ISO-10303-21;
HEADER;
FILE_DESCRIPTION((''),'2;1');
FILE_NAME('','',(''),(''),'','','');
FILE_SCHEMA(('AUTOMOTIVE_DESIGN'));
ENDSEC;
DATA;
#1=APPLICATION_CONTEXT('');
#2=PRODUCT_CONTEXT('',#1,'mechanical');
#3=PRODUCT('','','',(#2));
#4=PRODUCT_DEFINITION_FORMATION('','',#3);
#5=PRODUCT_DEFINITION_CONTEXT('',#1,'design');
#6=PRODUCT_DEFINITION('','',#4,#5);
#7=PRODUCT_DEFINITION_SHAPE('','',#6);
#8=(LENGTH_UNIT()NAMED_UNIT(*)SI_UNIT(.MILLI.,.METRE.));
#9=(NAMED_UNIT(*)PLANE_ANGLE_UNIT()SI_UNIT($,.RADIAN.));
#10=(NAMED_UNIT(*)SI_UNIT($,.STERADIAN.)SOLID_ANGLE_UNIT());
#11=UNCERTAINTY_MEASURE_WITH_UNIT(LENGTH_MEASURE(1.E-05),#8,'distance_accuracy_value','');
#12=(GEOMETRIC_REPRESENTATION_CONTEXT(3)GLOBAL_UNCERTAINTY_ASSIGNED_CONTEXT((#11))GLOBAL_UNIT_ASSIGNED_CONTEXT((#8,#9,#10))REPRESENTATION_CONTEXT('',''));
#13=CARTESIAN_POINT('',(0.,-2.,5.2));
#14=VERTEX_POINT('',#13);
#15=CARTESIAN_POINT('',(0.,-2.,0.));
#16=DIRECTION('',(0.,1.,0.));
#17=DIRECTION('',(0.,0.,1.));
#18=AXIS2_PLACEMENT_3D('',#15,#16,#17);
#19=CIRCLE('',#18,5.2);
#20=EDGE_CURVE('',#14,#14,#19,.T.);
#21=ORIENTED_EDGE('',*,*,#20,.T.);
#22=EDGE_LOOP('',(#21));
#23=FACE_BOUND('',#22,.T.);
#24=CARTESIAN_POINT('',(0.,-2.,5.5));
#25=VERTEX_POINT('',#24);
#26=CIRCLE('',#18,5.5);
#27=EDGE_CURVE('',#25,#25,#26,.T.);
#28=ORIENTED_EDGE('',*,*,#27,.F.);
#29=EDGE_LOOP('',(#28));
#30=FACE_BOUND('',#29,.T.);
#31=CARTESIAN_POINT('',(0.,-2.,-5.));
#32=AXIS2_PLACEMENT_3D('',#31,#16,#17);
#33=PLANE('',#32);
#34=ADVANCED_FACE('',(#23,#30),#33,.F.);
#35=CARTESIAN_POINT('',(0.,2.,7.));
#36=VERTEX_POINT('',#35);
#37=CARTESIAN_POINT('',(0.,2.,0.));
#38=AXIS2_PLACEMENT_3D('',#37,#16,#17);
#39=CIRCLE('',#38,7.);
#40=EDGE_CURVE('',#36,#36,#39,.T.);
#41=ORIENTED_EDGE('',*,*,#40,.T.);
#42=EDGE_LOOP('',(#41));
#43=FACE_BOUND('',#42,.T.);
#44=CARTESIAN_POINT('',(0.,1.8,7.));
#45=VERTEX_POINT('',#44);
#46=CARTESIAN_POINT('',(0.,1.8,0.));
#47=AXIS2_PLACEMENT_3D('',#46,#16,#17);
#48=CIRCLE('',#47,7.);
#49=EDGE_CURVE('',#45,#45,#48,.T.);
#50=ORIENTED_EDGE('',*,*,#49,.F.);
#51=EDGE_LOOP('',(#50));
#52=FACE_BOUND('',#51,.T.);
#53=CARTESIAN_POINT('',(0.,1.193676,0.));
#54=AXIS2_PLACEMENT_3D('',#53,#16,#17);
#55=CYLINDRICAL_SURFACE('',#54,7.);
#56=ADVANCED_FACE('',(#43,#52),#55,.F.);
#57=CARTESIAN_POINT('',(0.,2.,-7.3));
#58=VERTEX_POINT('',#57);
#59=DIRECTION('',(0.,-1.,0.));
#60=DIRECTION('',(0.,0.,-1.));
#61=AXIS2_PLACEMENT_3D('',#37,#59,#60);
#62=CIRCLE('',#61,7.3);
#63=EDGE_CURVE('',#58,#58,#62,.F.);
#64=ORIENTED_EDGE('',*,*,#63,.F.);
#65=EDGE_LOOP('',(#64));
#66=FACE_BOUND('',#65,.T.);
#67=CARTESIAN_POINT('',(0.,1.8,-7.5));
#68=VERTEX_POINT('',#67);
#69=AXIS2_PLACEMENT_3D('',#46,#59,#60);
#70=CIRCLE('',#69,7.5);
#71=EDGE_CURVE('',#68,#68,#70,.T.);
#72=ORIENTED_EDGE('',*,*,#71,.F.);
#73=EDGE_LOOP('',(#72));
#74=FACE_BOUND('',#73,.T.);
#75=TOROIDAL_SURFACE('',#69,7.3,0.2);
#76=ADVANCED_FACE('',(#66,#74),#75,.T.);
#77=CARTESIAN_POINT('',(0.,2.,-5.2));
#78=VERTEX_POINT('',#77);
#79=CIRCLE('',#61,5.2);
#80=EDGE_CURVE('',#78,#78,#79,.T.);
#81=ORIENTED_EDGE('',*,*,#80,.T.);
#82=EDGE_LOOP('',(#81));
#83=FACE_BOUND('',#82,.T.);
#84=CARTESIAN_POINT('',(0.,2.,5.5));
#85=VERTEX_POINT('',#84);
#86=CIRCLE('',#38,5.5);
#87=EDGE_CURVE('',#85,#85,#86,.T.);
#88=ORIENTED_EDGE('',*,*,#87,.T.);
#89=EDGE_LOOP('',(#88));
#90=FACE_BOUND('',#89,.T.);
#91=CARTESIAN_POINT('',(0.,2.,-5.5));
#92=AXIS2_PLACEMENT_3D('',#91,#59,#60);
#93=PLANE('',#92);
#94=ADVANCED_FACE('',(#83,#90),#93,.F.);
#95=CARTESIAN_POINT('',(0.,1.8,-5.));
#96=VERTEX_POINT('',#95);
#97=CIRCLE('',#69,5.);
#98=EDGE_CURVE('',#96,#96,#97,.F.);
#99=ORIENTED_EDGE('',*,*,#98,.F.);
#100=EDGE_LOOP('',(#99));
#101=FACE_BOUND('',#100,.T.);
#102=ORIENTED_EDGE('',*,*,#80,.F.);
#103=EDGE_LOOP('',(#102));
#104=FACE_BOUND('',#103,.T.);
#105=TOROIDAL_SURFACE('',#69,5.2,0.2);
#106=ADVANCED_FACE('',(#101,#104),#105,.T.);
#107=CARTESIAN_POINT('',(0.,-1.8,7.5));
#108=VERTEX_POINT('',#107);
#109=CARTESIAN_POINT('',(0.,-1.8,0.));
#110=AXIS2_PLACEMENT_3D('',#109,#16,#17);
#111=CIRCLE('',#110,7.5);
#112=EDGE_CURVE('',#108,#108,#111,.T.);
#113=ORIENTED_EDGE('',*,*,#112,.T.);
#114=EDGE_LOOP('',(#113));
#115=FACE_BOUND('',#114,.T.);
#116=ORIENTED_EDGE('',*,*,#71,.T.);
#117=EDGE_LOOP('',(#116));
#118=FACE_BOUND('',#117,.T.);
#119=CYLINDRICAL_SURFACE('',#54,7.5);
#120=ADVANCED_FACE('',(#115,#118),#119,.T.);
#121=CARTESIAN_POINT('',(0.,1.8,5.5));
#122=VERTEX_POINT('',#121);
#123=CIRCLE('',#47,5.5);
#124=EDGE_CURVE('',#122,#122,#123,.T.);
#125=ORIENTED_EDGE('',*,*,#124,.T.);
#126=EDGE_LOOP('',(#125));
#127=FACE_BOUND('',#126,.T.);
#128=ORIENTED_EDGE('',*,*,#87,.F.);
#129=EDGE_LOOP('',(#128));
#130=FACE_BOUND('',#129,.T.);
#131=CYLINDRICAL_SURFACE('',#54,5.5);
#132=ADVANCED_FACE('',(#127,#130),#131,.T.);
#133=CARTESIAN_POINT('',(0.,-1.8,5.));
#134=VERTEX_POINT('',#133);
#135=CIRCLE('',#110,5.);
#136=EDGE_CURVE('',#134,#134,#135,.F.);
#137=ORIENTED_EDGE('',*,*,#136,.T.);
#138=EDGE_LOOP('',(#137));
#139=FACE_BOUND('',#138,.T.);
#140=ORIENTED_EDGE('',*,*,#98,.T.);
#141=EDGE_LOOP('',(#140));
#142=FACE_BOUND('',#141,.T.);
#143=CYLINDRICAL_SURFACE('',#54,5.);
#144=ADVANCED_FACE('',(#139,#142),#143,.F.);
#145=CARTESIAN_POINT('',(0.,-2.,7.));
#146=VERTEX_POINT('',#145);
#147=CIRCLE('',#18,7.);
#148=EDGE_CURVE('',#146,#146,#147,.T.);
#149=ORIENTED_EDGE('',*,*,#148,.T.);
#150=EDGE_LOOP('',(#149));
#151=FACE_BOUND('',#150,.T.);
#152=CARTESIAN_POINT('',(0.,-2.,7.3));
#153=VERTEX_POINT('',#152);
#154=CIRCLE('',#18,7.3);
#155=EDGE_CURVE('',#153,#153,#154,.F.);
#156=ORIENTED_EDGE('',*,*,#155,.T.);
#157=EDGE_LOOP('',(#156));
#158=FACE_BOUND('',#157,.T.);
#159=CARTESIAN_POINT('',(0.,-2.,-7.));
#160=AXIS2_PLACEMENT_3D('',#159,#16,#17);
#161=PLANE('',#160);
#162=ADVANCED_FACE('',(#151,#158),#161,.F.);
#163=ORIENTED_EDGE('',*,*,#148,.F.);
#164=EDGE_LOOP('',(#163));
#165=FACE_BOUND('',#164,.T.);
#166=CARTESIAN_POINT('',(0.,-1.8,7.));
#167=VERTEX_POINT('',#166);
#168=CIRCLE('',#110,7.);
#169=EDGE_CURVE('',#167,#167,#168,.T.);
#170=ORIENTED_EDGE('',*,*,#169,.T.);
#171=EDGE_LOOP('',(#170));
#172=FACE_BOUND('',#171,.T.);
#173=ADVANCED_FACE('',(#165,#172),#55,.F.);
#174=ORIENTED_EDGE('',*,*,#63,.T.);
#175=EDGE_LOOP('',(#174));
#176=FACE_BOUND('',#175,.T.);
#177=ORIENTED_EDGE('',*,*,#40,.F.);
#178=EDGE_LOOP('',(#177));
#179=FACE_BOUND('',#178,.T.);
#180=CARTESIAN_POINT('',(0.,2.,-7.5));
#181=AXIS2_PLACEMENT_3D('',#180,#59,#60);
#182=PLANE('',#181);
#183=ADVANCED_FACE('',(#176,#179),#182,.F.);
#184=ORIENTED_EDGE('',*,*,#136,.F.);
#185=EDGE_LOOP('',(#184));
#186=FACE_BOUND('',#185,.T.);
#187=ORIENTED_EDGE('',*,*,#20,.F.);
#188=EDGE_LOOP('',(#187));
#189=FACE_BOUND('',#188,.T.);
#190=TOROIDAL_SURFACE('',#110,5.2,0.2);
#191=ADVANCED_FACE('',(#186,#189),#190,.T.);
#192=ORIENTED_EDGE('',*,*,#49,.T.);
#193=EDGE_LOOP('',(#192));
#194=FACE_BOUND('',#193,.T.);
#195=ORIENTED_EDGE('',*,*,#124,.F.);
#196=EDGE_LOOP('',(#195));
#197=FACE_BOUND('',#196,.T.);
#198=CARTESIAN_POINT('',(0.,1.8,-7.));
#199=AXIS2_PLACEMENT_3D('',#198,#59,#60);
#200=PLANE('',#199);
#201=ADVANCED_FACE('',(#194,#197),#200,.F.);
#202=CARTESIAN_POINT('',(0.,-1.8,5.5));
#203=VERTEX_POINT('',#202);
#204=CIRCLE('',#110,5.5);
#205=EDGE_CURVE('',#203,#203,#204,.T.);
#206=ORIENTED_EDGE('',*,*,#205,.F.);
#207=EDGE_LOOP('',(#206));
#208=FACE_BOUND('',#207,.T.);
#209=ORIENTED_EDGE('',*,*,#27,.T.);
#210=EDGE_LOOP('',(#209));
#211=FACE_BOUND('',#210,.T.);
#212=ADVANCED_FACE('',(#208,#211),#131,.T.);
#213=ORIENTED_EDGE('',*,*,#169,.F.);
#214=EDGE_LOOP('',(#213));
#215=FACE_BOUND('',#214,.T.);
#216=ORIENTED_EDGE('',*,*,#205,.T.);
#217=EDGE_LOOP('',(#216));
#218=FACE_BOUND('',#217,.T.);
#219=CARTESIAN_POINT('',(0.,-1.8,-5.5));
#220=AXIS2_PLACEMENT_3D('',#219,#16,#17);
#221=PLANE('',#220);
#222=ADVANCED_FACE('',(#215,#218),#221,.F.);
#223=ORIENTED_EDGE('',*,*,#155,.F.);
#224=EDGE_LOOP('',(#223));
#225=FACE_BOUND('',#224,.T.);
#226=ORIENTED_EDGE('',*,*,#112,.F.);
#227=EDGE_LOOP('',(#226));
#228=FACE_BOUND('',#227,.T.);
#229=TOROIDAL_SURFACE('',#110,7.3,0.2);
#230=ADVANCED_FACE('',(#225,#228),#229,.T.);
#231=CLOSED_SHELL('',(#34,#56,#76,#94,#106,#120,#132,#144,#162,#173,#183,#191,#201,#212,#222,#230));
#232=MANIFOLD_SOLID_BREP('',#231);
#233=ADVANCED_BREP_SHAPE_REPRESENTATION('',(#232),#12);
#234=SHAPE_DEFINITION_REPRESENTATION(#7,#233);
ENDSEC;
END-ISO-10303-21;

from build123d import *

# Parameters (mm, degrees)
FILLET1_R = 0.2


with BuildPart() as part:
    # Sketch1 → Revolve1 (revolve)
    with BuildSketch(Plane(origin=(0, 0, 0), x_dir=(0, 0, -1), z_dir=(1, 0, 0))):
        Polygon((5, 2), (5, -2), (5.5, -2), (5.5, -1.8), (7, -1.8), (7, -2), (7.5, -2), (7.5, 2), (7, 2), (7, 1.8), (5.5, 1.8), (5.5, 2), align=None)
    revolve(axis=Axis((0, 1.193675889, 0), (0, -1, 0)))

    # Fillet1
    fillet1_edges = [part.edges().sort_by_distance(p)[0] for p in [
        (0, 2, 5),
        (0, -2, 5),
        (0, -2, 7.5),
        (0, 2, 7.5),
    ]]
    fillet(fillet1_edges, radius=FILLET1_R)


solid = part.part
